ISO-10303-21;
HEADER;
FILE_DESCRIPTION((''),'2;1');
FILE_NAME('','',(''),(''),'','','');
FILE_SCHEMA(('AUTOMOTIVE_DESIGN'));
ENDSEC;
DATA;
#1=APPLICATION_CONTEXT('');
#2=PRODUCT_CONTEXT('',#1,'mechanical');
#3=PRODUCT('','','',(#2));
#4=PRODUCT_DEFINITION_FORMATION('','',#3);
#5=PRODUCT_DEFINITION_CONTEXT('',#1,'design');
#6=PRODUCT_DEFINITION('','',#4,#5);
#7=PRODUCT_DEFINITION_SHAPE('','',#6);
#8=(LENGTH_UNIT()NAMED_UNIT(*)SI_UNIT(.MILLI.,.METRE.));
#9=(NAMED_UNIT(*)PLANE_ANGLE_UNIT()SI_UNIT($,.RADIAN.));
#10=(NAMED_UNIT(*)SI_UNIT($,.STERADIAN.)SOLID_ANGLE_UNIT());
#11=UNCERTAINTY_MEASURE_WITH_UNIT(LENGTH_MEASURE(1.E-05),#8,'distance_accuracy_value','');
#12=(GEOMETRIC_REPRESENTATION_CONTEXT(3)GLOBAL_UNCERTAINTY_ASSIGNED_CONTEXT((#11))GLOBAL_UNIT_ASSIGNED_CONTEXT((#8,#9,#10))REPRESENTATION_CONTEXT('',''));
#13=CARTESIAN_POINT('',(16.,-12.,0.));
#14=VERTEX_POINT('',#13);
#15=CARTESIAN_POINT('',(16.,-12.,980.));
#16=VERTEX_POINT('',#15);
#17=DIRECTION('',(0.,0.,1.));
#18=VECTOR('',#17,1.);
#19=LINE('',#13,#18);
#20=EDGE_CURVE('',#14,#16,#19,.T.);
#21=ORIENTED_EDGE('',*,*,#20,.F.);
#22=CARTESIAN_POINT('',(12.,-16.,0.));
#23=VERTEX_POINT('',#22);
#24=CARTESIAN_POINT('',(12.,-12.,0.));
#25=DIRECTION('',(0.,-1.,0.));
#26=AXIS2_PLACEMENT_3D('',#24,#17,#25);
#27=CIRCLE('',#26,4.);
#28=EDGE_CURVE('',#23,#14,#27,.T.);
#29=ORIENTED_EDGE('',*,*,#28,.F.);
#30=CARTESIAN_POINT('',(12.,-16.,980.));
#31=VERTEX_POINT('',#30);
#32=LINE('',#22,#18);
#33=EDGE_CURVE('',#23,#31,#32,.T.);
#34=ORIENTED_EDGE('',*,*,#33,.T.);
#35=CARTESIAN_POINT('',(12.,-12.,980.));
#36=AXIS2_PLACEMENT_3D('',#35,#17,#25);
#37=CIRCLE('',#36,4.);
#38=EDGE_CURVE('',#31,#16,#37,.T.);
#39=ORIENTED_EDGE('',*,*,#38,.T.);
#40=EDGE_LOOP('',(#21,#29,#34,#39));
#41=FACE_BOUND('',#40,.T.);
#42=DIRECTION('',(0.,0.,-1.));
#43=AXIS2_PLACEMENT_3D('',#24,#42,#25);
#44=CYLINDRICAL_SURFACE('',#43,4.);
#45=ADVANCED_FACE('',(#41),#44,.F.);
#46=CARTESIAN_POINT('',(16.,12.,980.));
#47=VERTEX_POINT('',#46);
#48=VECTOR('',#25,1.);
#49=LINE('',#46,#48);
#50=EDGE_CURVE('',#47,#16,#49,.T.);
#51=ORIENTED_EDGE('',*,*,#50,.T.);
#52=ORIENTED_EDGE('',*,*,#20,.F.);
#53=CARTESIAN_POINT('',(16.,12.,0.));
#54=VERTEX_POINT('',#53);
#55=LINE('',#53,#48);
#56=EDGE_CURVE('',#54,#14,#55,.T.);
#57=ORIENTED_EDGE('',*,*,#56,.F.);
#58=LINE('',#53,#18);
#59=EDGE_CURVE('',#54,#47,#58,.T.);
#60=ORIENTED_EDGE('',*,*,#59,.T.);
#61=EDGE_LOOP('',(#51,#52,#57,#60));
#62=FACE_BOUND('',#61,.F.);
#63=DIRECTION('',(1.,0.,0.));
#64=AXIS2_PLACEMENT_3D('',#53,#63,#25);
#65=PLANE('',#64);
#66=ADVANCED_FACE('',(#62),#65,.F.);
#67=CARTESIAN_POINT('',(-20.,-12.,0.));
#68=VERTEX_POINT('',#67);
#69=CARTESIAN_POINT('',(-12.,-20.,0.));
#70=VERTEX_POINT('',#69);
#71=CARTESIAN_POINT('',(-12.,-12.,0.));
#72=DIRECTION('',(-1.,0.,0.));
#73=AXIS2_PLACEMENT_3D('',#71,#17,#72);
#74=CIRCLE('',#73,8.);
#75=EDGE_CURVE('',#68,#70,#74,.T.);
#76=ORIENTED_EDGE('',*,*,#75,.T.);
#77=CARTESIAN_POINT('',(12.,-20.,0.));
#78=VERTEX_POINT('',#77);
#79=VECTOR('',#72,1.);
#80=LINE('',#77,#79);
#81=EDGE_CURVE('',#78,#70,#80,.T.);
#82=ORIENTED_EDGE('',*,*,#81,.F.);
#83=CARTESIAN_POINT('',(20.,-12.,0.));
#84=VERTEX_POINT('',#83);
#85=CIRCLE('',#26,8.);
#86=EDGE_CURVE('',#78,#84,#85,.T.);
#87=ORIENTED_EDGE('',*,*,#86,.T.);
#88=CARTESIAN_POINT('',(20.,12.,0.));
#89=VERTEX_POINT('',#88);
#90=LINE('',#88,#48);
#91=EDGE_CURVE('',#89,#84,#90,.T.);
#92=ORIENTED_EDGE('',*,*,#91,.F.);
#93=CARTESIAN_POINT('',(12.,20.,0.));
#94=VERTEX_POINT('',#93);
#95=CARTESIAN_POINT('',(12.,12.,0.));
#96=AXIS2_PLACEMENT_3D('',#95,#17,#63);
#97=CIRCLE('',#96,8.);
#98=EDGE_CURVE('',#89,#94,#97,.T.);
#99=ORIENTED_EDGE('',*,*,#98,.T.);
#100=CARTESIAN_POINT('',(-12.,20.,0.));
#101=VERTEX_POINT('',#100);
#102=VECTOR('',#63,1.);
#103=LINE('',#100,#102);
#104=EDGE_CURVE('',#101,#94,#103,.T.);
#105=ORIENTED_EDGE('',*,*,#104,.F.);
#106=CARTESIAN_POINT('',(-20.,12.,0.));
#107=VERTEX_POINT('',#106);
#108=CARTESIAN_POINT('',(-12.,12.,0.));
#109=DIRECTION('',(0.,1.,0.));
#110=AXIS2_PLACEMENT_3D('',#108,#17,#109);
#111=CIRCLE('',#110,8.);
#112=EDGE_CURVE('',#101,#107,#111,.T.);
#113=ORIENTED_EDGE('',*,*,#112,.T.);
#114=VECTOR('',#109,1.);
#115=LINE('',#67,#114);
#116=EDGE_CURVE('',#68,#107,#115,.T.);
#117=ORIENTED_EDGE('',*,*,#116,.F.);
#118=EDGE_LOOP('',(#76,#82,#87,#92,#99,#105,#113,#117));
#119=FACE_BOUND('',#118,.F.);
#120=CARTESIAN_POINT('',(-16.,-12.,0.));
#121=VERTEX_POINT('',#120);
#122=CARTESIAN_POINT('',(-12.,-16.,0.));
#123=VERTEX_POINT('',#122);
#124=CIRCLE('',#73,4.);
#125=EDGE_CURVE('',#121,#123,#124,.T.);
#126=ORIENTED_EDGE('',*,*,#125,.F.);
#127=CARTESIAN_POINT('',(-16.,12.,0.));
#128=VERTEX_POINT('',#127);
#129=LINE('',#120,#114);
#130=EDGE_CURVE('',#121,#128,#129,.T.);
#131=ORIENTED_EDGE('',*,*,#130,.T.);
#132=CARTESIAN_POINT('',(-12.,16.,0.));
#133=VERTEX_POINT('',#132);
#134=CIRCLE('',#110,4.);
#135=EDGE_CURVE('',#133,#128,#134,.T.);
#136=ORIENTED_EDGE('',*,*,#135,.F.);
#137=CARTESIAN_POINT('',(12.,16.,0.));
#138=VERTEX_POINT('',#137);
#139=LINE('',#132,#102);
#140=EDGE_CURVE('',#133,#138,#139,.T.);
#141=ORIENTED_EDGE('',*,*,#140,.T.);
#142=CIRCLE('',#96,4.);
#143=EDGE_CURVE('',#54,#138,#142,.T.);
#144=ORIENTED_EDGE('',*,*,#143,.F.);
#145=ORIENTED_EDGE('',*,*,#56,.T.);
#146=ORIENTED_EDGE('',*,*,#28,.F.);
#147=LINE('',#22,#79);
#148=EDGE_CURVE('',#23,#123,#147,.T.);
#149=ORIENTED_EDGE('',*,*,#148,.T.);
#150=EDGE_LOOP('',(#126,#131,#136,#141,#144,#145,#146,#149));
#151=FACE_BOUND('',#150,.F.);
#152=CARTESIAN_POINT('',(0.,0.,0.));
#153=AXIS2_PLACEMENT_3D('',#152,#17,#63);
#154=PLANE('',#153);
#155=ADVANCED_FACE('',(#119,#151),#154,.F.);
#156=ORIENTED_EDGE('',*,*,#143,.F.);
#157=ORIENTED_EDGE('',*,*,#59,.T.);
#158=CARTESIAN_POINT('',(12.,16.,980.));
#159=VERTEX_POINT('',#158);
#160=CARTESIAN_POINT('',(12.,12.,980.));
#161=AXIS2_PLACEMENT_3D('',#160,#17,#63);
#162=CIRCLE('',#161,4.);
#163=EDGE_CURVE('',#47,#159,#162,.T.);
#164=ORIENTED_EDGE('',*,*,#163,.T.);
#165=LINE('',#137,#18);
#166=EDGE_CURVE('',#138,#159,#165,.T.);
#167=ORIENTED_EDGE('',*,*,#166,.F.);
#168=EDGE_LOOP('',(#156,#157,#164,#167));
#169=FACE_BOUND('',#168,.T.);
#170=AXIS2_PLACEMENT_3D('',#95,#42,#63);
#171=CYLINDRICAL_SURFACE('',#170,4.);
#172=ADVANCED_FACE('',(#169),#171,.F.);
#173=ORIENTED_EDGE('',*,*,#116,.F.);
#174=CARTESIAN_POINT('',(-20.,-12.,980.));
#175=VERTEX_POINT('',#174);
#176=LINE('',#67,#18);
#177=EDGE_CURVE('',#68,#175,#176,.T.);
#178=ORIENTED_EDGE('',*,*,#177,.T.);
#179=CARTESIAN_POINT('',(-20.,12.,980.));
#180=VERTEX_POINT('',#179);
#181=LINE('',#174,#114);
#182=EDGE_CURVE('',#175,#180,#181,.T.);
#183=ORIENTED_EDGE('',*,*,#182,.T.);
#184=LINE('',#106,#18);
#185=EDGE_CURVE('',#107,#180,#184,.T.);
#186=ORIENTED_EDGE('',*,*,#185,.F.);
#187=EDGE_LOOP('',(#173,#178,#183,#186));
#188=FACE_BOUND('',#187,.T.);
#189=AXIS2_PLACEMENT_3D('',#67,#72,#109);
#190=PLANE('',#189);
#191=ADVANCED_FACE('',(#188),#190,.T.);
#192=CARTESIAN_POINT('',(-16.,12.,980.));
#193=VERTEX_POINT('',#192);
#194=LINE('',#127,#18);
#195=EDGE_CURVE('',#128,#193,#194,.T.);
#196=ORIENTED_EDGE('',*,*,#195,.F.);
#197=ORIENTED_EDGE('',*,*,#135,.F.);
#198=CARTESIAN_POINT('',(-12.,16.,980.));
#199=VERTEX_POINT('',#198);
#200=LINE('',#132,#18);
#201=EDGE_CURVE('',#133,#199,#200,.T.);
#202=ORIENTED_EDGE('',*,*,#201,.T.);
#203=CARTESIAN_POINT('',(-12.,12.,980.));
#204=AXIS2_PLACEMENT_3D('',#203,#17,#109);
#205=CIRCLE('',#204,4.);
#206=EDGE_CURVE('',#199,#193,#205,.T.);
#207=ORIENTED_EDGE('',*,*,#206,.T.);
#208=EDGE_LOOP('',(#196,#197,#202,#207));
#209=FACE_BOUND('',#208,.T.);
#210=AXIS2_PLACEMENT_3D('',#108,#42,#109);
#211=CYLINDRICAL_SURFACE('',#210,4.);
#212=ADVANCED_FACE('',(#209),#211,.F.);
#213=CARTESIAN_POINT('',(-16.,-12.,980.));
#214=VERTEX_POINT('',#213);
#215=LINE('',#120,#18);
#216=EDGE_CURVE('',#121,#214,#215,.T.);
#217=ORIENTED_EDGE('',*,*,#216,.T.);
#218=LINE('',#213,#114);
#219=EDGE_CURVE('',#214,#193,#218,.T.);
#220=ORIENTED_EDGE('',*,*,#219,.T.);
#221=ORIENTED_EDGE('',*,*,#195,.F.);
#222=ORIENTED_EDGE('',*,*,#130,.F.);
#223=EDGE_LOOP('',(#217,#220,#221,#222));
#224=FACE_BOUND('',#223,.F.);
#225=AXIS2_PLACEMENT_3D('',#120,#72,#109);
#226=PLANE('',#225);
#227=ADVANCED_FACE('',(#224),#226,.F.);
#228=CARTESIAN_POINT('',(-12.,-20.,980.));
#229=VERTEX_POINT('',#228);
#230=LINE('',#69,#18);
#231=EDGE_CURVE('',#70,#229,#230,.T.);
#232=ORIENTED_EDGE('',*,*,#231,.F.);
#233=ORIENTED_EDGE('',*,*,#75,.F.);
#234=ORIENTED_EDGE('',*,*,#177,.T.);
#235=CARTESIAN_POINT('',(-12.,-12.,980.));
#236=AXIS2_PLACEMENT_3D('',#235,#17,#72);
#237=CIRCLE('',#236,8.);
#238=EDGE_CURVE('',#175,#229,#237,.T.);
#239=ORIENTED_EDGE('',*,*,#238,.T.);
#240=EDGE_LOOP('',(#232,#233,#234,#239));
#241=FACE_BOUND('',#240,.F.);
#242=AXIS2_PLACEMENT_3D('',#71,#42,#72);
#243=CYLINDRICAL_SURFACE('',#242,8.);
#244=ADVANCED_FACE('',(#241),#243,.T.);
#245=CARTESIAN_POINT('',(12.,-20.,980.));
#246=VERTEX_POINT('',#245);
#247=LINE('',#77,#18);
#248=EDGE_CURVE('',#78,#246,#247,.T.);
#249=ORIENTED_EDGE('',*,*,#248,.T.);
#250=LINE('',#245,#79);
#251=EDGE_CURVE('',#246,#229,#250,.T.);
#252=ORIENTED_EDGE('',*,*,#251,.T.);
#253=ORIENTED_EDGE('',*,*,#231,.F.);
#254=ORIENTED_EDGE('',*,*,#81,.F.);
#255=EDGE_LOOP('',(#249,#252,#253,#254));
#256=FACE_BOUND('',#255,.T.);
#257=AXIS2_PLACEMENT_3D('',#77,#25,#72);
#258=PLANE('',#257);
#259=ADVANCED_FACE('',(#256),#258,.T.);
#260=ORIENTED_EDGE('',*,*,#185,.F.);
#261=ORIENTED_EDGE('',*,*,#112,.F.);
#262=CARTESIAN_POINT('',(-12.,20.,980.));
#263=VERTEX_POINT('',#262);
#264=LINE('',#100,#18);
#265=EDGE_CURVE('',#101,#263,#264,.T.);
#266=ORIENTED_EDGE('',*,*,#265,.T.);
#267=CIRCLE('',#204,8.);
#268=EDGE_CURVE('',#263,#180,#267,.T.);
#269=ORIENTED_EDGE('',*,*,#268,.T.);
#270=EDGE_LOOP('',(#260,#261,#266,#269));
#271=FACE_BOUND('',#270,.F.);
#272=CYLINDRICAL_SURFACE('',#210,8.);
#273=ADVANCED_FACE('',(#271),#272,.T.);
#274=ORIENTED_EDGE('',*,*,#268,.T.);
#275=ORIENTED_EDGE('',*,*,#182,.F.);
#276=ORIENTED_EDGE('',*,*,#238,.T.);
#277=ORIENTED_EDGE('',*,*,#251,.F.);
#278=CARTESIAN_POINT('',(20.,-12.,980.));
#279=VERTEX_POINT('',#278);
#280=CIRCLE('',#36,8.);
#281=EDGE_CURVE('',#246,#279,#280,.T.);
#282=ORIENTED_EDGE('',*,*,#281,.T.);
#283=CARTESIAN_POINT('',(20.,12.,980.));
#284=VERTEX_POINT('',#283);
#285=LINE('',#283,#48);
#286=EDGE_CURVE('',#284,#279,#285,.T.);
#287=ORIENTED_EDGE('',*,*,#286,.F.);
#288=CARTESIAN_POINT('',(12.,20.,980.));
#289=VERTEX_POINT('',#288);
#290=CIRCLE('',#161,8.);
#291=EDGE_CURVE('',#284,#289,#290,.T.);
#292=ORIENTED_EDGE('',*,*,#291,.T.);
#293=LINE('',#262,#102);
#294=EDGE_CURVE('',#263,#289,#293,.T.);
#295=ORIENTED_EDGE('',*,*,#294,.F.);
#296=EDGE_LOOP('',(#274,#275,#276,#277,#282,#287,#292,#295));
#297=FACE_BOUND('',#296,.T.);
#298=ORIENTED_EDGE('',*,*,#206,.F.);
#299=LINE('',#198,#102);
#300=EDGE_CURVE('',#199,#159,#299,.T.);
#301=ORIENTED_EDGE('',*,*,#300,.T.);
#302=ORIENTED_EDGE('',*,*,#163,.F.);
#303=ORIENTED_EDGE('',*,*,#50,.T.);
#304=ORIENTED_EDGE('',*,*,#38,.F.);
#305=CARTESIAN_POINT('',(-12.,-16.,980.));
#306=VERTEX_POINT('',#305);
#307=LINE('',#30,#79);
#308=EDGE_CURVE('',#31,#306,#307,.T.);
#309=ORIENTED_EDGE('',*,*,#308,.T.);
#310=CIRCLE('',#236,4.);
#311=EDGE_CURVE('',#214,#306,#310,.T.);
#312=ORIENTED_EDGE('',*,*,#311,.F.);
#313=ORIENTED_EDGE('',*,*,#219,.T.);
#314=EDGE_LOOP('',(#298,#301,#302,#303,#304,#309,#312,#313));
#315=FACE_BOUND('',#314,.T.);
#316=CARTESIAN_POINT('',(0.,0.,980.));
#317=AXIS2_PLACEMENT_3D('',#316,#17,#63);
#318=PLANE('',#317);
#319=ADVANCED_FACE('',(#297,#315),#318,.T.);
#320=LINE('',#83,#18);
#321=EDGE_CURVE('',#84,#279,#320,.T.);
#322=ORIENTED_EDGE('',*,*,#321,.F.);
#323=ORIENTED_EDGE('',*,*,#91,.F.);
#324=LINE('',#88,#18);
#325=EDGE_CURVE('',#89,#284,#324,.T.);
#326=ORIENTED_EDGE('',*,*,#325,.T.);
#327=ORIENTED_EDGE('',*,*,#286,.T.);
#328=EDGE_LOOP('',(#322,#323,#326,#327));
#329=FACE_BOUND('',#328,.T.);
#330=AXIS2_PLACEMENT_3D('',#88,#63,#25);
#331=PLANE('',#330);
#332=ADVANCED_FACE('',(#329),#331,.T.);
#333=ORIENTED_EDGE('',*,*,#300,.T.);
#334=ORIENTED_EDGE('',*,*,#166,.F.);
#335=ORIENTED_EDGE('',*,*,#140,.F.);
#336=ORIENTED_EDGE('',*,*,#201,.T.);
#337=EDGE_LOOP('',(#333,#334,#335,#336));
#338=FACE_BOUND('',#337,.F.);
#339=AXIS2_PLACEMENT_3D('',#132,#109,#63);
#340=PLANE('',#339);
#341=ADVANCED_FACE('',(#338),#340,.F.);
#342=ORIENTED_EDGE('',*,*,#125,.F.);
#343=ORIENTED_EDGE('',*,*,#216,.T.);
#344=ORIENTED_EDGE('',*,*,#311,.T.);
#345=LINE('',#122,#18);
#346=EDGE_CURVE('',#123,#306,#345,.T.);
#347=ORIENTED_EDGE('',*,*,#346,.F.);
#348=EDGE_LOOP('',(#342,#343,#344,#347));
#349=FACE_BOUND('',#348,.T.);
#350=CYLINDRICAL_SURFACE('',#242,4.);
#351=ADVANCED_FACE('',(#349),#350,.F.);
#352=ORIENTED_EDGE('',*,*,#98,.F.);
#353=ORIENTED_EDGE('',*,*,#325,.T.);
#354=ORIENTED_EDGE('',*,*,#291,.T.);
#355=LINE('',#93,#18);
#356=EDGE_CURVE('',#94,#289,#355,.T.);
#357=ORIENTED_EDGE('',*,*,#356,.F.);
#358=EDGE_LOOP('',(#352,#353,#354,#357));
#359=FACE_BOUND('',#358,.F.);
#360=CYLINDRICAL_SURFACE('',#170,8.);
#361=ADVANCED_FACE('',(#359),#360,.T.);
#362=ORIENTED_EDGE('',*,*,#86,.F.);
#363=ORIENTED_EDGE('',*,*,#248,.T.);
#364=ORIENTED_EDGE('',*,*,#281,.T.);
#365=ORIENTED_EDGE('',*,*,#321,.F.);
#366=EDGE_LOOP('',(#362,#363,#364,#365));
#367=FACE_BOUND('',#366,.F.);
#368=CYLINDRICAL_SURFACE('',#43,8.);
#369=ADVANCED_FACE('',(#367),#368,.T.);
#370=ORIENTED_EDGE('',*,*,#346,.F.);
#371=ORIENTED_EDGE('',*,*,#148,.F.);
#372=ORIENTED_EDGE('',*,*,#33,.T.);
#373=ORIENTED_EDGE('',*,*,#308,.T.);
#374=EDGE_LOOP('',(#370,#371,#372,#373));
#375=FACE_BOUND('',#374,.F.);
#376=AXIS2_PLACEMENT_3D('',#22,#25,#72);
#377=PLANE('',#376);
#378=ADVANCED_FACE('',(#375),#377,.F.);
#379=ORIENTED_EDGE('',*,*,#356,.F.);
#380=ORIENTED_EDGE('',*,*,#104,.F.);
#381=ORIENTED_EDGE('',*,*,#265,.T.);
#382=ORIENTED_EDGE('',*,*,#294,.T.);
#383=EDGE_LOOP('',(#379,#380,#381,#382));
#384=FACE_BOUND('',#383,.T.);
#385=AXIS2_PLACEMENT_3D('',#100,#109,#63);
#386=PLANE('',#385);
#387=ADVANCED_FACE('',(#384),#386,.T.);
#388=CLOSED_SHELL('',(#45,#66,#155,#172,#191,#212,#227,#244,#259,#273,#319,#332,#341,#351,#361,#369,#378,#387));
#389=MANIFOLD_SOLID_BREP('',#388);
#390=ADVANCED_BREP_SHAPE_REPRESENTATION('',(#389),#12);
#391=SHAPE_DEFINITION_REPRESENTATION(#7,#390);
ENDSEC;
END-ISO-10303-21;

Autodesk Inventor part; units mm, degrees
ref_plane "Start plane" through (0, 0, 0) normal (0, 0, 1) x (1, 0, 0)
ref_plane "End plane" through (0, 0, 980) normal (0, 0, 1) x (1, 0, 0)
sketch "Sketch" plane through (0, 0, 0) normal (0, 0, 1) x (1, 0, 0)
  line L0 (-20, -12) -> (-20, 12)
  line L1 (-12, 20) -> (12, 20)
  line L2 (20, 12) -> (20, -12)
  line L3 (12, -20) -> (-12, -20)
  arc A0 (-20, -12) -> (-12, -20) centre (-12, -12) ccw
  arc A1 (-12, 20) -> (-20, 12) centre (-12, 12) ccw
  arc A2 (20, 12) -> (12, 20) centre (12, 12) ccw
  arc A3 (12, -20) -> (20, -12) centre (12, -12) ccw
  arc A4 (-12, 16) -> (-16, 12) centre (-12, 12) ccw
  line L4 (-12, 16) -> (12, 16)
  arc A5 (16, 12) -> (12, 16) centre (12, 12) ccw
  line L5 (16, 12) -> (16, -12)
  arc A6 (12, -16) -> (16, -12) centre (12, -12) ccw
  line L6 (12, -16) -> (-12, -16)
  arc A7 (-16, -12) -> (-12, -16) centre (-12, -12) ccw
  line L7 (-16, -12) -> (-16, 12)
  line L8 (0, 30.3196) -> (0, -30.3196) construction
  line L9 (-30.3196, 0) -> (30.3196, 0) construction
  dimension "d7" = 8
  dimension "d10" = 40
  dimension "d11" = 40
  dimension "d12" = 4
  dimension "d15" = 20
  dimension "d16" = 20
extrude "Body" add sketch "Sketch" along normal up to surface (980 mm away) from surface at 0
sketch "Sketch3" plane through (0, 0, 0) normal (0, 0, 1) x (1, 0, 0)
  line L0 (0, 0) -> (10, 0)
ref_plane "Work Plane3" through (0, 0, 0) normal (0, -1, 0) x (1, 0, 0)
sketch "Sketch4" plane through (0, 0, 0) normal (0, -1, 0) x (1, 0, 0)
  line L0 (-2, 0) -> (12, 0)
  line L1 (-2, 980) -> (12, 980)
  dimension "d18" = 980
ref_plane "Work Plane4" through (12, -900, 1020) normal (0, 0, 1) x (1, 0, 0)
split "Split1" plane through (12, -900, 1020) removes the side toward (0, 0, 1)
ref_plane "Work Plane5" through (-12, -900, 980) normal (0, 0, 1) x (1, 0, 0)
split "Split2" plane through (-12, -900, 980) removes the side toward (0, 0, 1)
equation "\"d7\" = G_IR"
equation "\"d10\" = G_H"
equation "\"d11\" = G_W"
equation "\"d12\" = G_T"
equation "\"d15\" = 0.5 * d10"
equation "\"d16\" = 0.5 * d11"
equation "\"d3\" = G_L"
equation "\"G_W\" = 40"
equation "\"G_H\" = 40"
equation "\"G_T\" = 4"
equation "\"G_IR\" = 8"
equation "\"G_L\" = d18"
equation "\"G_OFFSET_START\" = 0"
equation "\"G_OFFSET_END\" = -20"
equation "\"d14\" = G_OFFSET_END + B_L"
equation "\"B_L\" = 1000"
properties part number "DIN EN 10219-2 - 40 x 40 x 4  - 980" material "Steel, Mild"
